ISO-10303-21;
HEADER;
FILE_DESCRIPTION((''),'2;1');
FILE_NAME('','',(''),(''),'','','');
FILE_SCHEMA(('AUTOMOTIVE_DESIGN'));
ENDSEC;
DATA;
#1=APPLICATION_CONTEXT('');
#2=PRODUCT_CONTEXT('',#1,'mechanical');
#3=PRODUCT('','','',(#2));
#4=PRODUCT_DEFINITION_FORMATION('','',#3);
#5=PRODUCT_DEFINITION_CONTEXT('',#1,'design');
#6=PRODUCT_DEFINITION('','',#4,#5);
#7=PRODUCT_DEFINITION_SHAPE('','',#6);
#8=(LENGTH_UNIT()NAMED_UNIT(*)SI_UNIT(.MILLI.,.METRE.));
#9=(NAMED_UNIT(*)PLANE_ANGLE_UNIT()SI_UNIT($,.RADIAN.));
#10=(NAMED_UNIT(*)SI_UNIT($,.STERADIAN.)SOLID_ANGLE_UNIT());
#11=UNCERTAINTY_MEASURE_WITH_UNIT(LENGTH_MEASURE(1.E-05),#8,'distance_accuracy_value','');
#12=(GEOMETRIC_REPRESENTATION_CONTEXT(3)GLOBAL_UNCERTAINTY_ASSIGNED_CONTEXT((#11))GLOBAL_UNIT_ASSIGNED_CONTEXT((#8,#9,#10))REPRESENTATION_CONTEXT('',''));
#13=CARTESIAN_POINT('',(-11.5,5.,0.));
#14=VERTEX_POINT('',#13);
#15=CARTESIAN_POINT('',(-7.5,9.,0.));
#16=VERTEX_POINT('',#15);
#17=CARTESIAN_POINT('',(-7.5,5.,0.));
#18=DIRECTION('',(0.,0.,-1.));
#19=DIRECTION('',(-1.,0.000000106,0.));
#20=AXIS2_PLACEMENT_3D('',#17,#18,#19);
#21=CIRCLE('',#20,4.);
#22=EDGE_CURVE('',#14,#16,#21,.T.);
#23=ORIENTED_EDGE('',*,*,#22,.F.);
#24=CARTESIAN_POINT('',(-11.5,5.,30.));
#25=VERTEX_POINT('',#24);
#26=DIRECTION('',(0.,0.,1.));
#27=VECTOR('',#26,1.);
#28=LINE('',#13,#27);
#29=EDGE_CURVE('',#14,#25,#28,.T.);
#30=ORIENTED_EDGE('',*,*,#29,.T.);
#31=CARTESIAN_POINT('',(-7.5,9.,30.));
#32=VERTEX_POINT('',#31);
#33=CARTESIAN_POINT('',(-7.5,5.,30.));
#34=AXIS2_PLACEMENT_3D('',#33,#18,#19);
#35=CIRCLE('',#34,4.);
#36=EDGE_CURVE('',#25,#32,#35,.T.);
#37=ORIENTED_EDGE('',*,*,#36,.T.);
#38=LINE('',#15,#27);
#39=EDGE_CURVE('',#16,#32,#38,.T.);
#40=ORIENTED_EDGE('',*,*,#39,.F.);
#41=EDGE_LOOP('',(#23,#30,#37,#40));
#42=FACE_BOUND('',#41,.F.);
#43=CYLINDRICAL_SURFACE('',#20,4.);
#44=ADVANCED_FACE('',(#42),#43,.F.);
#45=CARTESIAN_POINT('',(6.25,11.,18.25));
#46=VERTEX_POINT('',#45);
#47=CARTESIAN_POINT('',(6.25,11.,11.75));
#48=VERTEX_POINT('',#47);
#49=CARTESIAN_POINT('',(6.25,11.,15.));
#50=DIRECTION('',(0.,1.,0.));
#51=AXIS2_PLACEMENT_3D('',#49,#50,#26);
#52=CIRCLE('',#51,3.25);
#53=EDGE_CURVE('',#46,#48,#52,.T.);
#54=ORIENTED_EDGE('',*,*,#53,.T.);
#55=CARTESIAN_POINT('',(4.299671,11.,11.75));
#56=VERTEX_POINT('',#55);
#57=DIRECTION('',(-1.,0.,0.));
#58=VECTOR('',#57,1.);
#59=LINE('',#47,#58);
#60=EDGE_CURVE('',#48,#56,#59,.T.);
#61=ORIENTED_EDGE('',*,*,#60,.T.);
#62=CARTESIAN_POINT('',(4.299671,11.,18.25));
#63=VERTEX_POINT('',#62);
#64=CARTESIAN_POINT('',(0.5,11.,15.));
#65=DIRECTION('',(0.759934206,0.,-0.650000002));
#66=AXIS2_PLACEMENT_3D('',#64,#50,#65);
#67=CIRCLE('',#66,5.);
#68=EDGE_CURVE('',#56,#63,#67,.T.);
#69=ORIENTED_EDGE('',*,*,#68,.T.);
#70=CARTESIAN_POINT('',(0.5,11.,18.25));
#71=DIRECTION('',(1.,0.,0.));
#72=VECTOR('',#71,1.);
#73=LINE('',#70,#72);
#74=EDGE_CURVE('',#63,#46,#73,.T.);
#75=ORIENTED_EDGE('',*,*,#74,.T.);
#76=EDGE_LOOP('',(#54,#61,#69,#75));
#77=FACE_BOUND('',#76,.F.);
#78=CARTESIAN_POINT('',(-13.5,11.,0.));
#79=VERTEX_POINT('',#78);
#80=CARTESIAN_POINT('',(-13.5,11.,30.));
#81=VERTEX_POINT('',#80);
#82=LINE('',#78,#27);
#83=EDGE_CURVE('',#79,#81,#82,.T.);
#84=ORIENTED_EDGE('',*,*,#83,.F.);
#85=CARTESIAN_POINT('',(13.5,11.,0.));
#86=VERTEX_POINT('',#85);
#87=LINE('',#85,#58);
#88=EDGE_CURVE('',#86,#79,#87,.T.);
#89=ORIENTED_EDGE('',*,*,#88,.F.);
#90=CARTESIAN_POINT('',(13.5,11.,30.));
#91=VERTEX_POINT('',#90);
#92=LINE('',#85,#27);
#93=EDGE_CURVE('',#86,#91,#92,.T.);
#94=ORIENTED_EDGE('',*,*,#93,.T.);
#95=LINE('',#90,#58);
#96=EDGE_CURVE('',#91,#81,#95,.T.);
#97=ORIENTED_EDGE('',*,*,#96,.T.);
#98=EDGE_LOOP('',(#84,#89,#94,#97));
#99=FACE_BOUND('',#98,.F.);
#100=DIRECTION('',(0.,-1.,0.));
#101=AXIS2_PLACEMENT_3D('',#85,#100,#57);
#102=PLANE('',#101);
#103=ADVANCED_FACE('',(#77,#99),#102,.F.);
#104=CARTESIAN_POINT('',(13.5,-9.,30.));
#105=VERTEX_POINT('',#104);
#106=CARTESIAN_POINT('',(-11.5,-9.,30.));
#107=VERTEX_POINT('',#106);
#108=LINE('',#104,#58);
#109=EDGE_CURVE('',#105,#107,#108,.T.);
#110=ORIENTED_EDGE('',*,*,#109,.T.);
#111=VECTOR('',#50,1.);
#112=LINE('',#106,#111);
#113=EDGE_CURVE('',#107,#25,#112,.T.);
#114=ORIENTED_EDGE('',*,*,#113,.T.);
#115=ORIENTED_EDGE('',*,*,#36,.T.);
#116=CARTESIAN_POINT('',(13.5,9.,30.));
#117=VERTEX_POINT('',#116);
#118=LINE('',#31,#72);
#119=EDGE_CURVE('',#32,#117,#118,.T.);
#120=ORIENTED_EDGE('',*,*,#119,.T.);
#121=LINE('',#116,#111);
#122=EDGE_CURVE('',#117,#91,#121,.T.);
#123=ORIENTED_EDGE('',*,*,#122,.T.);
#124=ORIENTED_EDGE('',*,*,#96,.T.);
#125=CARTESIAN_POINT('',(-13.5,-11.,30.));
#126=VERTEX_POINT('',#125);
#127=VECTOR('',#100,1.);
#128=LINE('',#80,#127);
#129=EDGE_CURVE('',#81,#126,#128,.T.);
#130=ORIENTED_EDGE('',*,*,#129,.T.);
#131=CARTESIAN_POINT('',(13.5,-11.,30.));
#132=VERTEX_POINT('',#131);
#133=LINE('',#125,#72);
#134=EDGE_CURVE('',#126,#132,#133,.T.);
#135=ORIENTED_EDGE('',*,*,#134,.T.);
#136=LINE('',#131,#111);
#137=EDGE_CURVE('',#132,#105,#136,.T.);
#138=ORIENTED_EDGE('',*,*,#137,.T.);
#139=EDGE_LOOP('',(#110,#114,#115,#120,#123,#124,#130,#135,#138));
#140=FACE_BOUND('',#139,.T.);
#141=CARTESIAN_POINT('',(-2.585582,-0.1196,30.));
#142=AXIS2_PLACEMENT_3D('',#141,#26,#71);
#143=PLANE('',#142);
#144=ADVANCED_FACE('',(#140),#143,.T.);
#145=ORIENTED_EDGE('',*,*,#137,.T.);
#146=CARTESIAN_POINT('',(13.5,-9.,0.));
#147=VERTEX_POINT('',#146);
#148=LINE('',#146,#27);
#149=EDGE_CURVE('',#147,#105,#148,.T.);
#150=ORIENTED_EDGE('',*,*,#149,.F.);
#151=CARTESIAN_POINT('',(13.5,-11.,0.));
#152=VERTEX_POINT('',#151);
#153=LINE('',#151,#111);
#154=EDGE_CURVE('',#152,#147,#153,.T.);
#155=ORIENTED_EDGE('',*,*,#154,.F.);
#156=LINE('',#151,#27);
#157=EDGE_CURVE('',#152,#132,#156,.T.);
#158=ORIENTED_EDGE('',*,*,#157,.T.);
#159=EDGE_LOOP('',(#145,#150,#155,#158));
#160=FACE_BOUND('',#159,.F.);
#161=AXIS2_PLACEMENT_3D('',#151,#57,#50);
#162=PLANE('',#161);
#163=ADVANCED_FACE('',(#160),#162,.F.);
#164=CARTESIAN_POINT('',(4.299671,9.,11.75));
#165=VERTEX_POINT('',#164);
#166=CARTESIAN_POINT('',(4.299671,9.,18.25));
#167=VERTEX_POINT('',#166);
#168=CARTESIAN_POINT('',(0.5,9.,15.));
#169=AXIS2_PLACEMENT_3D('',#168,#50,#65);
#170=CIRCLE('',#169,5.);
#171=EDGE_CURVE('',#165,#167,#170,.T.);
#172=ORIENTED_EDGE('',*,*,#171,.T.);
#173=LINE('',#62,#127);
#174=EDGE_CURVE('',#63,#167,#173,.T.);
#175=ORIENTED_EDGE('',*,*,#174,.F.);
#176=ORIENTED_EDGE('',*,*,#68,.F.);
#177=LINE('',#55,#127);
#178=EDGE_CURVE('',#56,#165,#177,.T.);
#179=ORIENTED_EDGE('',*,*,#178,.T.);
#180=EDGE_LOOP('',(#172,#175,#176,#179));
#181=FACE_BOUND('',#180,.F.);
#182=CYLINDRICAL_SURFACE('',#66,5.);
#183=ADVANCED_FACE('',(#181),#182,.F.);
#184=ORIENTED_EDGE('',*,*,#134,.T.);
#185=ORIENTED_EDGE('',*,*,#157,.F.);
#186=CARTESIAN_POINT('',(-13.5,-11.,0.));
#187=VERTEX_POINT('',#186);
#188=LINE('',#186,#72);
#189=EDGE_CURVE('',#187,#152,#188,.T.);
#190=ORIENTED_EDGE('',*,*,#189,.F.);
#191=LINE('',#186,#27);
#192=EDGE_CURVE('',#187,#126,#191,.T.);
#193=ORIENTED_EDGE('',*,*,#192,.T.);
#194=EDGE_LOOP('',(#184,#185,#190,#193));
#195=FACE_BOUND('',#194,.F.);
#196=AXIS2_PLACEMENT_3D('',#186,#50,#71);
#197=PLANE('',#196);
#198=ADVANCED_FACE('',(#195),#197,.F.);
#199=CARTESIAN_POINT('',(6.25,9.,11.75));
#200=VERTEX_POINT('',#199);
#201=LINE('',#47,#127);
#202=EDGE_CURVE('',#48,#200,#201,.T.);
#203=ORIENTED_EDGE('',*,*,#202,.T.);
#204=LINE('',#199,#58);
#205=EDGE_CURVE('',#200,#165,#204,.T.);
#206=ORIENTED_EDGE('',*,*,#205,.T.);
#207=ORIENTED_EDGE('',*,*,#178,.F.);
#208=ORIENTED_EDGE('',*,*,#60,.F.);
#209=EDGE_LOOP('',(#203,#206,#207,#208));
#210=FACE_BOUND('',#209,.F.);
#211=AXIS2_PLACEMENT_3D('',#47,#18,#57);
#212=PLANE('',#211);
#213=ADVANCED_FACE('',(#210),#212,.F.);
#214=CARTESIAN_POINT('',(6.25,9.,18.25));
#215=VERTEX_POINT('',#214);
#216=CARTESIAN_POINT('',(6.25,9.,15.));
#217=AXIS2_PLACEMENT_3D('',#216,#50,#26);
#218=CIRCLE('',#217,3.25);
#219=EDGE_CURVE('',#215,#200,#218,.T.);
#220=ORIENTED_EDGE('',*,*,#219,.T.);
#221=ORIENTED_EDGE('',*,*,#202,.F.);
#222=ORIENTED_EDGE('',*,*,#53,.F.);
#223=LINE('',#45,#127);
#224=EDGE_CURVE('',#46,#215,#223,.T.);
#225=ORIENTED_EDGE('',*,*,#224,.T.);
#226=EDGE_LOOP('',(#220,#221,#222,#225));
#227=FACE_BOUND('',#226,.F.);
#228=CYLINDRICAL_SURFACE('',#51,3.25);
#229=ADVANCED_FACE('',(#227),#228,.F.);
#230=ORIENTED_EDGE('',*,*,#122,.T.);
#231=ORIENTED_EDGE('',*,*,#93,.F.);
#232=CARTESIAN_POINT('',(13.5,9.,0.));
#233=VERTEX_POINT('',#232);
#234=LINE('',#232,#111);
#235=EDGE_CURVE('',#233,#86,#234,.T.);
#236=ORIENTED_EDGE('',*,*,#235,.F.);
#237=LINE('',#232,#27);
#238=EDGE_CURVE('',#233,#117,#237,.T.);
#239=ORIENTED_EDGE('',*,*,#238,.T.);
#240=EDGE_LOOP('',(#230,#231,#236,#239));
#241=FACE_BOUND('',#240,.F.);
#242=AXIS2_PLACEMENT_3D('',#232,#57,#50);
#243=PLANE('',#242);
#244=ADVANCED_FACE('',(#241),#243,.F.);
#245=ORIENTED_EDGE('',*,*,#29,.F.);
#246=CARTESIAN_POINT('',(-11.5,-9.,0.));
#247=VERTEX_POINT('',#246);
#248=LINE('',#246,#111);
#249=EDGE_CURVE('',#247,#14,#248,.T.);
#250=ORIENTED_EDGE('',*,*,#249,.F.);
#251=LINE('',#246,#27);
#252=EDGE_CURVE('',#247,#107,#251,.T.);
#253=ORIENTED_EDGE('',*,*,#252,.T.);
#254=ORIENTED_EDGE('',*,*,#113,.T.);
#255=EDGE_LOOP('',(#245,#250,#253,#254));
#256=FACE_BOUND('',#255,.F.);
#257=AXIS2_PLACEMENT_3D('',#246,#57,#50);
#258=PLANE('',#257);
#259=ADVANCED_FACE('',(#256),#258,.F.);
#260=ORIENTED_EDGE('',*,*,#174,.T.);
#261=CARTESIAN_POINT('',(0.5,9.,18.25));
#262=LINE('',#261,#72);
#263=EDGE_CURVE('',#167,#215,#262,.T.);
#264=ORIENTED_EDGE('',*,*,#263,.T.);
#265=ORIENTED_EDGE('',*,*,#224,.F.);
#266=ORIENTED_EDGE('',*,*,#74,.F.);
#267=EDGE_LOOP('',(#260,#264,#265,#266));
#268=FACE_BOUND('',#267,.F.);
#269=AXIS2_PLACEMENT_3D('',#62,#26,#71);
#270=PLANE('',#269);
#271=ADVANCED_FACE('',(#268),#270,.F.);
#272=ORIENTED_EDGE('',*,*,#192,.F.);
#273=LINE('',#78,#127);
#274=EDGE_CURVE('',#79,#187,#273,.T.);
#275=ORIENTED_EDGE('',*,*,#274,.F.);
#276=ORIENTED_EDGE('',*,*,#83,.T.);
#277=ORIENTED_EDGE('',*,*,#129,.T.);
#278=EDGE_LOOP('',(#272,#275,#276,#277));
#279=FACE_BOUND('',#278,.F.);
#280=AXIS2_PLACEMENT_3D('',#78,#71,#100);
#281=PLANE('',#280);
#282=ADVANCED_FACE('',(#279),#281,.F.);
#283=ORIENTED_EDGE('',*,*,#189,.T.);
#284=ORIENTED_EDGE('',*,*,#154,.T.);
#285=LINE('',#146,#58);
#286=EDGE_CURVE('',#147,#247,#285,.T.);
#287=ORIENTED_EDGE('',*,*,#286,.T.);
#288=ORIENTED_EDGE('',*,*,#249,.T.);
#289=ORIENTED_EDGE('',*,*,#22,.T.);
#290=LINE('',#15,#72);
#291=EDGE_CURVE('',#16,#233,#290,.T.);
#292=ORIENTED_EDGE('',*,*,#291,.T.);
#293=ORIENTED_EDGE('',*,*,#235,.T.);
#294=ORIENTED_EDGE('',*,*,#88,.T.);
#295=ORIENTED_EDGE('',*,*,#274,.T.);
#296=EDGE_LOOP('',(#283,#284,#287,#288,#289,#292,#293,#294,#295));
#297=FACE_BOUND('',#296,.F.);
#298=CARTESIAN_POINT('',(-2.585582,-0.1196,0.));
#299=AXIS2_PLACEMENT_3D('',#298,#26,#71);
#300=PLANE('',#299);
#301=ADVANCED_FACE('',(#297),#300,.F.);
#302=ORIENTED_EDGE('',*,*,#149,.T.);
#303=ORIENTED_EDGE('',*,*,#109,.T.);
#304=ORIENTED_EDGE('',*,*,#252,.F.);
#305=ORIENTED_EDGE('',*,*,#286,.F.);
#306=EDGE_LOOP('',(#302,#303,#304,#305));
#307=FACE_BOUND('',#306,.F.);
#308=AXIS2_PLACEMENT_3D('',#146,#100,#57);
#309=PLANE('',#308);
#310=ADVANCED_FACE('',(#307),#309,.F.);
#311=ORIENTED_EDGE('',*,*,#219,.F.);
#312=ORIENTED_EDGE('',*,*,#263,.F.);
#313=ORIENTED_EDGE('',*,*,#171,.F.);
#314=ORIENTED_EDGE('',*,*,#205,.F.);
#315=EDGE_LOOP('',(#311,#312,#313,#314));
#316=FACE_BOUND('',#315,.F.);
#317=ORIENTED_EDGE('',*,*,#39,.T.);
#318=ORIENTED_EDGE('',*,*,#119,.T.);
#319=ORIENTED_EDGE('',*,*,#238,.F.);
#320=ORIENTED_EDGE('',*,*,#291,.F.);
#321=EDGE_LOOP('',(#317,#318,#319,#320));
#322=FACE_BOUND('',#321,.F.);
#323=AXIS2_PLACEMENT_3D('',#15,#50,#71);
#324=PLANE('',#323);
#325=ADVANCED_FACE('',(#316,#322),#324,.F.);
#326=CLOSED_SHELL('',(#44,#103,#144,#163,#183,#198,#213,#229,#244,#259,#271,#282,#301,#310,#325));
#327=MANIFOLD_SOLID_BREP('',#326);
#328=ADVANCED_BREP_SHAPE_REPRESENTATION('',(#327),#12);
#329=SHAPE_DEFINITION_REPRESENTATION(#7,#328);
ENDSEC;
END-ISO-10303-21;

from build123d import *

# Parameters (mm, degrees)
F1_DEPTH = 30
F3_DEPTH = 2


with BuildPart() as f1:
    # F0 (on Top) → F1 (new body)
    with BuildSketch(Plane.XY):
        with BuildLine():
            Line((-13.5, -11), (13.5, -11))
            Line((13.5, -11), (13.5, -9))
            Line((13.5, -9), (-11.5, -9))
            Line((-11.5, -9), (-11.5, 5))
            ThreePointArc((-11.5, 5), (-10.328427, 7.828427), (-7.5, 9))
            Line((-7.5, 9), (13.5, 9))
            Line((13.5, 9), (13.5, 11))
            Line((13.5, 11), (-13.5, 11))
            Line((-13.5, 11), (-13.5, -11))
        make_face()
    extrude(amount=F1_DEPTH)

    # F2 (on face) → F3 (cut, through all)
    with BuildSketch(Plane(origin=(0, 11, 0), x_dir=(-1, 0, 0), z_dir=(0, 1, 0))):
        with BuildLine():
            Line((-6.25, 11.75), (-4.299671, 11.75))
            Line((-4.299671, 11.75), (-0.5, 11.75))
            Line((-0.5, 11.75), (-0.5, 18.25))
            Line((-0.5, 18.25), (-4.299671, 18.25))
            Line((-4.299671, 18.25), (-6.25, 18.25))
            ThreePointArc((-6.25, 18.25), (-9.5, 15), (-6.25, 11.75))
        make_face()
        with BuildLine():
            Line((-0.5, 11.75), (-4.299671, 11.75))
            ThreePointArc((-4.299671, 11.75), (4.5, 15), (-4.299671, 18.25))
            Line((-4.299671, 18.25), (-0.5, 18.25))
            Line((-0.5, 18.25), (-0.5, 11.75))
        make_face()
    extrude(amount=-F3_DEPTH, mode=Mode.SUBTRACT)


solid = f1.part
